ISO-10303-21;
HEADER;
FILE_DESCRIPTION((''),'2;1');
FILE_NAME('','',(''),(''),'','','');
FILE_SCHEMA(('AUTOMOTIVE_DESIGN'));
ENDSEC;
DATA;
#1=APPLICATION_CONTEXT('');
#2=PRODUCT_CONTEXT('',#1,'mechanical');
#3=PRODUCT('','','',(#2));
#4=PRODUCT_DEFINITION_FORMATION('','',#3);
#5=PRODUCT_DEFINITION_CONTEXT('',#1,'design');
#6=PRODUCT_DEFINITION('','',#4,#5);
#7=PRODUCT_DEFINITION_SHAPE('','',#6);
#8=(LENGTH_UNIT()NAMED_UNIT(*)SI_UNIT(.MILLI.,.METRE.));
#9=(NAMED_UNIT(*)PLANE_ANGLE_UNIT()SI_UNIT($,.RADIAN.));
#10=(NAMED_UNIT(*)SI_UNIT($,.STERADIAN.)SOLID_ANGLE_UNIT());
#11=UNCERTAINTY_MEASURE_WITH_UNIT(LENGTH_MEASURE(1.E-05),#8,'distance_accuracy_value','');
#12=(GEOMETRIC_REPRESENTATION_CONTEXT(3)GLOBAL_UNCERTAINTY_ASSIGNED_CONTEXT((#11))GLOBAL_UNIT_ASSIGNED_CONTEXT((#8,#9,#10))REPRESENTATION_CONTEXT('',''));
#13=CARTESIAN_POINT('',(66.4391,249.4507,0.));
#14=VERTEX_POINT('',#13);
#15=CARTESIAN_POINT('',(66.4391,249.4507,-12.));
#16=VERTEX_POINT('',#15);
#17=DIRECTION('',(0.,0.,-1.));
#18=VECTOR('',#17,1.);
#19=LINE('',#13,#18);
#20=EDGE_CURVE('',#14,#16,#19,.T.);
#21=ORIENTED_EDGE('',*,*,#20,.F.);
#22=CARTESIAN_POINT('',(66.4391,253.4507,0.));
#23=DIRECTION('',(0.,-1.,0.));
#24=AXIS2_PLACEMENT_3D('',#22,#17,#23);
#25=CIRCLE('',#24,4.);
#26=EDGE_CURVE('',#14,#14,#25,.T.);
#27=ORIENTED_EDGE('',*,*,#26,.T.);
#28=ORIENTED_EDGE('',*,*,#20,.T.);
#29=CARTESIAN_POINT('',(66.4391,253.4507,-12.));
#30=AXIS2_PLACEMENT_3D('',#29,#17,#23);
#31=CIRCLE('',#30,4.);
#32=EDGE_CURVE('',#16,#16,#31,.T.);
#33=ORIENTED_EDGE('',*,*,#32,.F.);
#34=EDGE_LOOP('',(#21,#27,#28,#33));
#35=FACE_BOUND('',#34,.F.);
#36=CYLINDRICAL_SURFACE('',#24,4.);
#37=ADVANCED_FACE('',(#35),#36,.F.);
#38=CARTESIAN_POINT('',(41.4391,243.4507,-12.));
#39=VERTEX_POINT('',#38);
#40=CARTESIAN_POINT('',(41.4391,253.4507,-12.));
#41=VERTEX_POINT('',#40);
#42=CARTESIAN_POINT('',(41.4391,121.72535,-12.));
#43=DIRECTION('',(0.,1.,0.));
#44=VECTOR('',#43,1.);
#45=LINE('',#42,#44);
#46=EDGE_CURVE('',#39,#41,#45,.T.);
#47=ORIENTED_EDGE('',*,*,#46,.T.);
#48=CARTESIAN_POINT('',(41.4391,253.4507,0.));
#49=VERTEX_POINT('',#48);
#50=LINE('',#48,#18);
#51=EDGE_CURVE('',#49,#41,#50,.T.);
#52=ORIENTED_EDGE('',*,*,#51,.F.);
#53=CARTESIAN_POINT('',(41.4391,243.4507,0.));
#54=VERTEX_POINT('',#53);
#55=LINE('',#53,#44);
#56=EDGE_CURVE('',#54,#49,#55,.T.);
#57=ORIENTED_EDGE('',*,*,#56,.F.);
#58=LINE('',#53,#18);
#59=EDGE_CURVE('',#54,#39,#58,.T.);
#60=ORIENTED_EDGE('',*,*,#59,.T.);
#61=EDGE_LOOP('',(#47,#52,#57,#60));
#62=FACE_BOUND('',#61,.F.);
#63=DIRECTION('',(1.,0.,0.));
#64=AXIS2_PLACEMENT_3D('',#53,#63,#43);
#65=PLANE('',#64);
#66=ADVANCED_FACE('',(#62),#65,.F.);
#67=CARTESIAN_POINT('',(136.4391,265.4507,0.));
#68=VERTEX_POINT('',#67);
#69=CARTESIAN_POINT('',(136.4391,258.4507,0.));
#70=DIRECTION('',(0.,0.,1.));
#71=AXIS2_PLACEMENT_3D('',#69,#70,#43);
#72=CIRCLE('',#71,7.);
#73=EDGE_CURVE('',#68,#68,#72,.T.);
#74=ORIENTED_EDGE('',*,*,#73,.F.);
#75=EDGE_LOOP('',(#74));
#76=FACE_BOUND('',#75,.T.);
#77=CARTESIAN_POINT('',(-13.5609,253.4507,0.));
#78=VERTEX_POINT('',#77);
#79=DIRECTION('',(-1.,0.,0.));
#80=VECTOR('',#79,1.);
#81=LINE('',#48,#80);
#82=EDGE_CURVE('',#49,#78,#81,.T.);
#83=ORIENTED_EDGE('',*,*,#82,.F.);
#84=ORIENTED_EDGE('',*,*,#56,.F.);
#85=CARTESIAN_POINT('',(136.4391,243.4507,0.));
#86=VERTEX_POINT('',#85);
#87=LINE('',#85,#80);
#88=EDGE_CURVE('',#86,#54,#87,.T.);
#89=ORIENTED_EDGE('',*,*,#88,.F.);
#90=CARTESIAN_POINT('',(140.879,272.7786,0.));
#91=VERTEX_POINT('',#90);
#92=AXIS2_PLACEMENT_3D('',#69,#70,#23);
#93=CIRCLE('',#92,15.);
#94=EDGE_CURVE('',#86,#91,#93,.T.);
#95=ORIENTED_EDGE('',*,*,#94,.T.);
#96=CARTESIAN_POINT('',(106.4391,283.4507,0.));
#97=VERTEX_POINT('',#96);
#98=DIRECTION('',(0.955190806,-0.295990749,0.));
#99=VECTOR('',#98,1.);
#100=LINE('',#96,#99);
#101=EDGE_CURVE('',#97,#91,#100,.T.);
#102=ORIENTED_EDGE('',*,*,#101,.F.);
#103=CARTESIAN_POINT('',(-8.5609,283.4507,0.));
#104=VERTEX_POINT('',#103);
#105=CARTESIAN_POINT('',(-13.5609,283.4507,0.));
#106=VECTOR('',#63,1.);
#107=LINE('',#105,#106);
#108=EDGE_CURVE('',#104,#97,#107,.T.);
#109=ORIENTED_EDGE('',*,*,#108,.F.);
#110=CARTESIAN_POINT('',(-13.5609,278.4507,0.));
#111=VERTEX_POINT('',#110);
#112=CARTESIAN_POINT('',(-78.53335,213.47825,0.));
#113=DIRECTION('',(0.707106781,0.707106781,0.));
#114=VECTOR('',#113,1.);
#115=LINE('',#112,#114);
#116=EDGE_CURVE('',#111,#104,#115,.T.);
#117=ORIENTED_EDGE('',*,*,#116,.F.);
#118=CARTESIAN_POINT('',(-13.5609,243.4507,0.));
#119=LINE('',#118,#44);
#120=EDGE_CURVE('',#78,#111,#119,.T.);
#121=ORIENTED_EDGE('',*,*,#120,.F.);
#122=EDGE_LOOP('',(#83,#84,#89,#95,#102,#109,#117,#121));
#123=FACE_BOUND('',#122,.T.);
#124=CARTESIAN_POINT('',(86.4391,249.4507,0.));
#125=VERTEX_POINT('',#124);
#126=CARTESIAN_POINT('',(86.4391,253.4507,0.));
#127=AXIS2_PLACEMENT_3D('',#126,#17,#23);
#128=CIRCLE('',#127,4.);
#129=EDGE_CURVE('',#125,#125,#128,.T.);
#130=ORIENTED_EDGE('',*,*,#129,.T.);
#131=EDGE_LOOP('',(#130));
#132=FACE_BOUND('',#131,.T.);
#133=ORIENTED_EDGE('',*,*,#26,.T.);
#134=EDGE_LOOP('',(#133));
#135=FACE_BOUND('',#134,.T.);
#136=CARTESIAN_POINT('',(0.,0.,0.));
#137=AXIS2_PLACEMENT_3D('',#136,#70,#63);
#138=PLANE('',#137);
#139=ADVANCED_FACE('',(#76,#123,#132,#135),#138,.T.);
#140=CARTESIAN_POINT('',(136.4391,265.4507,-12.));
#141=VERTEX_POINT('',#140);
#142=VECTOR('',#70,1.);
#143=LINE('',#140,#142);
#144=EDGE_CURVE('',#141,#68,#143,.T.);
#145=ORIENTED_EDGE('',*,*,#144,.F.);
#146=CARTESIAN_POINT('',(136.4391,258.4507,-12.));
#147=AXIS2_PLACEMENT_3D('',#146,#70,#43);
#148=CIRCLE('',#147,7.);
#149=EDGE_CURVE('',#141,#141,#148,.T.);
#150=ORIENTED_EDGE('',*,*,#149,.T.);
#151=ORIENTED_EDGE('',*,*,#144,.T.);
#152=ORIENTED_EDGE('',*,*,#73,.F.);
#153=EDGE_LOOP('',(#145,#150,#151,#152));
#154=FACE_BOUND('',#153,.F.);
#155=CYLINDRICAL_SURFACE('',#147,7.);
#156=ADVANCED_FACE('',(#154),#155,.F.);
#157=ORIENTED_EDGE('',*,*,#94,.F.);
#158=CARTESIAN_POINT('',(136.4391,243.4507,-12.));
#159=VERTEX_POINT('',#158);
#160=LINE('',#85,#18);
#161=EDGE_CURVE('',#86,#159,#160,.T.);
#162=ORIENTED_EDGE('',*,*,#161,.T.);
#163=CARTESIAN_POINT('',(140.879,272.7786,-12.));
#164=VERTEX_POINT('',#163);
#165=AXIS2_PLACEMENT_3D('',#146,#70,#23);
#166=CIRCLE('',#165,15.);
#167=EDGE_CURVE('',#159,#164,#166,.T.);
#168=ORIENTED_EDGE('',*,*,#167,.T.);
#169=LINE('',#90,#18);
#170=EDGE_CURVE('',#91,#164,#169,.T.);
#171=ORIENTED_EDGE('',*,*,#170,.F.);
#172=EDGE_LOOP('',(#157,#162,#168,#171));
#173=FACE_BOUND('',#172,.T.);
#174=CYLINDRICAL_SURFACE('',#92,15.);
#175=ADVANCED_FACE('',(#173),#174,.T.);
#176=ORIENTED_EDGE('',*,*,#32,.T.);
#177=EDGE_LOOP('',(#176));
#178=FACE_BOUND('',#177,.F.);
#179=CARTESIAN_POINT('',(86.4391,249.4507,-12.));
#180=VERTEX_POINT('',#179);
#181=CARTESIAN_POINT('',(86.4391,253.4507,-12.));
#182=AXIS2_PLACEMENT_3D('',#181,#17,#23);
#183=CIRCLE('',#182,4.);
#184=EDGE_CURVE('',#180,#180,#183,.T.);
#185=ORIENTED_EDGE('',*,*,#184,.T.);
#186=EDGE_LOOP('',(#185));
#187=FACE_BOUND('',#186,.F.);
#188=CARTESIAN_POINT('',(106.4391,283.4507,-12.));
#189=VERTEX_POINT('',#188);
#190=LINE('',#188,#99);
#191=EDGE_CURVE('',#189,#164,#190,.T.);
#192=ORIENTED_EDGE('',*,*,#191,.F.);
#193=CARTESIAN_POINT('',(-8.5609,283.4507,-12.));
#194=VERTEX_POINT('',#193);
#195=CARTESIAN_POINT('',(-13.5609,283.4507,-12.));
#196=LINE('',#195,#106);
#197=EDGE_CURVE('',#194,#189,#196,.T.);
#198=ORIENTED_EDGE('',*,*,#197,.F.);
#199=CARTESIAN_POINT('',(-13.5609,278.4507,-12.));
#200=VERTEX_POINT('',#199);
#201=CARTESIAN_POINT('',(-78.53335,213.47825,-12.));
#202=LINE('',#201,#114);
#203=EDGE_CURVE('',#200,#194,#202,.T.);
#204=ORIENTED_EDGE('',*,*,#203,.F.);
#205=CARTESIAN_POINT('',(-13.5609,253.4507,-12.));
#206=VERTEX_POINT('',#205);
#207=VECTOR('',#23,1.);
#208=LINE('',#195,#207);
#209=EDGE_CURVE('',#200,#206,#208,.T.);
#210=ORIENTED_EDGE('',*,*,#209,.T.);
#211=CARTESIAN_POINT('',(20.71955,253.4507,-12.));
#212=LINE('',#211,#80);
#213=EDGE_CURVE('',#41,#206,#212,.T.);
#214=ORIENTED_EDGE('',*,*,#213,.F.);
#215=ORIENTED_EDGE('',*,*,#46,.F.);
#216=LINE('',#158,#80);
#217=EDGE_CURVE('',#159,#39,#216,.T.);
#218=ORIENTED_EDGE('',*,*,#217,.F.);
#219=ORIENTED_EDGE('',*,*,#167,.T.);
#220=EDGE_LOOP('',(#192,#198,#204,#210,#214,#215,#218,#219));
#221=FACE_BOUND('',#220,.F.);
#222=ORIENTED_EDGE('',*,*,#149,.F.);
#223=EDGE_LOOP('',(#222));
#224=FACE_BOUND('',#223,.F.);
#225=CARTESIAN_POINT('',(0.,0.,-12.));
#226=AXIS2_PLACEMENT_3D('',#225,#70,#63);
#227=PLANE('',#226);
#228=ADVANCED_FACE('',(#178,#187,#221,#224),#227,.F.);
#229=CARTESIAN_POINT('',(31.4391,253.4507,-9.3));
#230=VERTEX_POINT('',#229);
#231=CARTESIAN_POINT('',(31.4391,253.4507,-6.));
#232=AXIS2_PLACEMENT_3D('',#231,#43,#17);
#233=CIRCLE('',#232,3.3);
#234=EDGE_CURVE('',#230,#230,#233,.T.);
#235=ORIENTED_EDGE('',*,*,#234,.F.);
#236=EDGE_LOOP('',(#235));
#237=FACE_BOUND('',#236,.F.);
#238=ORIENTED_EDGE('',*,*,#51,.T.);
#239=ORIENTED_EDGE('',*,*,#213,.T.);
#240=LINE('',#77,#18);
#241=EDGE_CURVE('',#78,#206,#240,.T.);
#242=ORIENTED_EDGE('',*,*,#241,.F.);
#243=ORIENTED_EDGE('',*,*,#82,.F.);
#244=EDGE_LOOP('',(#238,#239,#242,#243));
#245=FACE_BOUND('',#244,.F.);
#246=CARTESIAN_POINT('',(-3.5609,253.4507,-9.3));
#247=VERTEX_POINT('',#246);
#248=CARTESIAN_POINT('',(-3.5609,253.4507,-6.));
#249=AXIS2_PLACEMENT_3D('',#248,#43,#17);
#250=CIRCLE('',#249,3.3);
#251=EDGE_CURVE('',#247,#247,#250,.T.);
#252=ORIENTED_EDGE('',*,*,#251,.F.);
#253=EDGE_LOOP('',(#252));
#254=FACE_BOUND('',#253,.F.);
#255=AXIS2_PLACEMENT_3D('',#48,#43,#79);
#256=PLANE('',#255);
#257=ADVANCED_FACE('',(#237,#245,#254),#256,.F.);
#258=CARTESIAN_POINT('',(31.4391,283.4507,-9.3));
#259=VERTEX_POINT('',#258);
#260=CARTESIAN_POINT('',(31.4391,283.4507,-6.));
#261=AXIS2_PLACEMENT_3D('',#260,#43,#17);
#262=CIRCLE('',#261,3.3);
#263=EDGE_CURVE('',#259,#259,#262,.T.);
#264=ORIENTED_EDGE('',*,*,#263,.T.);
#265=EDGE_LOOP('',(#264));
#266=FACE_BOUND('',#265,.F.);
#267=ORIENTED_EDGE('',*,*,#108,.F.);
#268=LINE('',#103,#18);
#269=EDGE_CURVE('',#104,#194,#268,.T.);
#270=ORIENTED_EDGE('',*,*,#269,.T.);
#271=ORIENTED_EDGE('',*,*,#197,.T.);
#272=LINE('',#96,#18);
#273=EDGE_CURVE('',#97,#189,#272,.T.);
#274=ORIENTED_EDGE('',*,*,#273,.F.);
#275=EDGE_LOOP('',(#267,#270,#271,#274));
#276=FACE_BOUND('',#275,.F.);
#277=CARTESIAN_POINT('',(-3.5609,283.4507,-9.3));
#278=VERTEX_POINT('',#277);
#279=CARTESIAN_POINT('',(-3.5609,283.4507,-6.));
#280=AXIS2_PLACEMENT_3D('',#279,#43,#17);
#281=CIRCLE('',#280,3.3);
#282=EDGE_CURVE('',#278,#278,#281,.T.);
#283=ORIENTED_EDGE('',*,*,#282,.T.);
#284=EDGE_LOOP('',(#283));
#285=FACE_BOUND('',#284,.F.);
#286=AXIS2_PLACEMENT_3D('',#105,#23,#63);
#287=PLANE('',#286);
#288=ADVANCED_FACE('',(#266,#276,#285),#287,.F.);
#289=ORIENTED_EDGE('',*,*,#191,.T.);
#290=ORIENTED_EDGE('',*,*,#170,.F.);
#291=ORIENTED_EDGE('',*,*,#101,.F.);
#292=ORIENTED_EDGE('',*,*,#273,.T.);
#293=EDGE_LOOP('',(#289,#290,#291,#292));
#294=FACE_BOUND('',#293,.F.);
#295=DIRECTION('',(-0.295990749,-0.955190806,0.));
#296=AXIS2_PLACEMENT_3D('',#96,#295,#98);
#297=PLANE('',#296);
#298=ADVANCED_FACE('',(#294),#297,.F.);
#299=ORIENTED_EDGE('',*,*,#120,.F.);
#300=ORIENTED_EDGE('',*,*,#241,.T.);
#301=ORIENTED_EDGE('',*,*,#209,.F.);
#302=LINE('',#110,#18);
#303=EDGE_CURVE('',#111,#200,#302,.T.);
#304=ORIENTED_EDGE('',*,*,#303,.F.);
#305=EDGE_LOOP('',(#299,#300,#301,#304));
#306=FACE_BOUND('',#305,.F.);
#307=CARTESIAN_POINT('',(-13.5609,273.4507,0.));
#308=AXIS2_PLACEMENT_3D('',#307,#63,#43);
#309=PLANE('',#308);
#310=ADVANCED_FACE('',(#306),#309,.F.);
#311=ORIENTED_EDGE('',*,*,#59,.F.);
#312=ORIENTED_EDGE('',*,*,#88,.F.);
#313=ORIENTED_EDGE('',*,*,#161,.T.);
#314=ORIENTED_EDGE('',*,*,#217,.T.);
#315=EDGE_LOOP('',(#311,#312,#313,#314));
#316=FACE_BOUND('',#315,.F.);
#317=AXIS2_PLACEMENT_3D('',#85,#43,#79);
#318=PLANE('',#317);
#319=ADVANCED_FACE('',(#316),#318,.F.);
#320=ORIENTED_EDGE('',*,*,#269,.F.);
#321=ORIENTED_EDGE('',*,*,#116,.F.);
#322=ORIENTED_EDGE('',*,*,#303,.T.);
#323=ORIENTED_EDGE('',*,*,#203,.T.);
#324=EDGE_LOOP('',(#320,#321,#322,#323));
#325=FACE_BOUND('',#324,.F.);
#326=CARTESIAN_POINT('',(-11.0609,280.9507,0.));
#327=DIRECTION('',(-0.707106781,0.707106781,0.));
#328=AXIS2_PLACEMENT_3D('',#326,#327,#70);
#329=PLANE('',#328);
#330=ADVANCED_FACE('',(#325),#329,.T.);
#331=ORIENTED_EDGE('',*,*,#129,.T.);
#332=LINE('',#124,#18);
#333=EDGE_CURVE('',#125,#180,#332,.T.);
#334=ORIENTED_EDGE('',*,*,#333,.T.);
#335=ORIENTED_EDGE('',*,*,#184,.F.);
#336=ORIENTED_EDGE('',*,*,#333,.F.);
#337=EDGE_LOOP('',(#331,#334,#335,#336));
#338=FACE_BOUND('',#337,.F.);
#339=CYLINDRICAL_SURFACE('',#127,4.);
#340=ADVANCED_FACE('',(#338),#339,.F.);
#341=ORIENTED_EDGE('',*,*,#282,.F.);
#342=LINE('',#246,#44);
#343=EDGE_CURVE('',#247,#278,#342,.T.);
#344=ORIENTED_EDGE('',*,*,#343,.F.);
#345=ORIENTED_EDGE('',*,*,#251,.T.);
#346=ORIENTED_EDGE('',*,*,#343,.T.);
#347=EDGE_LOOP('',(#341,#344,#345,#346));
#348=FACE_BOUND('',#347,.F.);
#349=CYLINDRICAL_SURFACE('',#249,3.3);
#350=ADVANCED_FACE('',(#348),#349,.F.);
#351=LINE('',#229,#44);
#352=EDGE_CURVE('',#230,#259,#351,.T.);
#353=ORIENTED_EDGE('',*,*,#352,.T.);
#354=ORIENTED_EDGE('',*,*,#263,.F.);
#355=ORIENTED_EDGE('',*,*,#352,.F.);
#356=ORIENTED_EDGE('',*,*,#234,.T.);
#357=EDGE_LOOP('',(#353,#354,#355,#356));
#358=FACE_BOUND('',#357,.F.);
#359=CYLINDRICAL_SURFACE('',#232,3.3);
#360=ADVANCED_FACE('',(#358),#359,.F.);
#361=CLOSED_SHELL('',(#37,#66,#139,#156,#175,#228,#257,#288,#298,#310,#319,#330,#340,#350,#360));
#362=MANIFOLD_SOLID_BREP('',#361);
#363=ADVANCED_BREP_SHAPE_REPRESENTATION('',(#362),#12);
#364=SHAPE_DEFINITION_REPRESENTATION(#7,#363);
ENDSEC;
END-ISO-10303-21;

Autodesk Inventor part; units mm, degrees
ref_plane "YZ Plane" through (0, 0, 0) normal (1, 0, 0) x (0, 1, 0)
ref_plane "XZ Plane" through (0, 0, 0) normal (0, 1, 0) x (-1, 0, 0)
sketch "スケッチ2" plane through (0, 0, 0) normal (0, 0, 1) x (1, 0, 0)
  line L0 (-13.5609, 243.4507) -> (-13.5609, 273.4507)
  line L1 (-13.5609, 273.4507) -> (136.4391, 273.4507)
  arc A0 (136.4391, 243.4507) -> (136.4391, 273.4507) centre (136.4391, 258.4507) ccw
  line L2 (136.4391, 243.4507) -> (-13.5609, 243.4507)
  point P0 (0, 0)
  dimension "d15" = 15
  dimension "d48" = 150
extrude "押し出し2" add sketch "スケッチ2" against normal blind 12
sketch "スケッチ3" plane through (0, 0, 0) normal (0, 0, 1) x (1, 0, 0)
  arc A0 (136.4391, 273.4507) -> (136.4391, 243.4507) centre (136.4391, 258.4507) ccw projected
  point P0 (86.4391, 253.4507)
  point P1 (66.4391, 253.4507)
  dimension "d4" = 20
  dimension "d5" = 50
  dimension "d6" = 5
hole "穴1" at (86.4391, 253.4507, 0) at (66.4391, 253.4507, 0) direction (0, 0, -1) diameter 8 end through all
sketch "スケッチ4" plane through (0, 0, -12) normal (0, 0, -1) x (-1, 0, 0)
  arc A0 (-136.4391, 273.4507) -> (-136.4391, 243.4507) centre (-136.4391, 258.4507) ccw projected
hole "穴2" at (136.4391, 258.4507, -12) direction (0, 0, 1) diameter 14 end through all
sketch "スケッチ7" plane through (0, 0, 0) normal (0, 0, 1) x (1, 0, 0)
  arc A0 (136.4391, 243.4507) -> (136.4391, 273.4507) centre (136.4391, 258.4507) ccw projected
  line L0 (136.4391, 273.4507) -> (-13.5609, 273.4507) projected
  line L1 (-13.5609, 243.4507) -> (136.4391, 243.4507) projected
  line L2 (-13.5609, 273.4507) -> (-13.5609, 283.4507)
  line L3 (-13.5609, 283.4507) -> (106.4391, 283.4507)
  line L4 (106.4391, 283.4507) -> (140.879, 272.7786)
  dimension "d49" = 10
  dimension "d50" = 120
extrude "押し出し3" add sketch "スケッチ7" against normal up to surface (12 mm away)
sketch "スケッチ8" plane through (0, 0, 0) normal (0, 0, 1) x (1, 0, 0)
  line L0 (-13.5609, 243.4507) -> (41.4391, 243.4507)
  line L1 (41.4391, 243.4507) -> (41.4391, 253.4507)
  line L2 (41.4391, 253.4507) -> (-13.5609, 253.4507)
  line L3 (-13.5609, 253.4507) -> (-13.5609, 243.4507)
  dimension "d53" = 10
  dimension "d54" = 55
extrude "押し出し4" cut sketch "スケッチ8" against normal through all
sketch "スケッチ9" plane through (-13.5609, 253.4507, 0) normal (0, -1, 0) x (1, 0, 0)
  line L0 (55, 0) -> (55, -12) projected
  line L1 (0, -12) -> (0, 0) projected
  line L2 (0, -6) -> (55, -6)
  point P0 (10, -6)
  point P1 (45, -6)
  dimension "d57" = 10
  dimension "d58" = 35
hole "穴5" at (-3.5609, 253.4507, -6) at (31.4391, 253.4507, -6) direction (0, 1, 0) diameter 6.6 end through all
chamfer "面取り1" distance 5 angle 45 1 edges at (-13.5609, 283.4507, -6)
ref_plane "Work Plane1" through (0, 0, -6) normal (0, 0, -1) x (-1, 0, 0)
properties part number "210-109c" material "STEEL - HIGH GRADE ALLOY"
